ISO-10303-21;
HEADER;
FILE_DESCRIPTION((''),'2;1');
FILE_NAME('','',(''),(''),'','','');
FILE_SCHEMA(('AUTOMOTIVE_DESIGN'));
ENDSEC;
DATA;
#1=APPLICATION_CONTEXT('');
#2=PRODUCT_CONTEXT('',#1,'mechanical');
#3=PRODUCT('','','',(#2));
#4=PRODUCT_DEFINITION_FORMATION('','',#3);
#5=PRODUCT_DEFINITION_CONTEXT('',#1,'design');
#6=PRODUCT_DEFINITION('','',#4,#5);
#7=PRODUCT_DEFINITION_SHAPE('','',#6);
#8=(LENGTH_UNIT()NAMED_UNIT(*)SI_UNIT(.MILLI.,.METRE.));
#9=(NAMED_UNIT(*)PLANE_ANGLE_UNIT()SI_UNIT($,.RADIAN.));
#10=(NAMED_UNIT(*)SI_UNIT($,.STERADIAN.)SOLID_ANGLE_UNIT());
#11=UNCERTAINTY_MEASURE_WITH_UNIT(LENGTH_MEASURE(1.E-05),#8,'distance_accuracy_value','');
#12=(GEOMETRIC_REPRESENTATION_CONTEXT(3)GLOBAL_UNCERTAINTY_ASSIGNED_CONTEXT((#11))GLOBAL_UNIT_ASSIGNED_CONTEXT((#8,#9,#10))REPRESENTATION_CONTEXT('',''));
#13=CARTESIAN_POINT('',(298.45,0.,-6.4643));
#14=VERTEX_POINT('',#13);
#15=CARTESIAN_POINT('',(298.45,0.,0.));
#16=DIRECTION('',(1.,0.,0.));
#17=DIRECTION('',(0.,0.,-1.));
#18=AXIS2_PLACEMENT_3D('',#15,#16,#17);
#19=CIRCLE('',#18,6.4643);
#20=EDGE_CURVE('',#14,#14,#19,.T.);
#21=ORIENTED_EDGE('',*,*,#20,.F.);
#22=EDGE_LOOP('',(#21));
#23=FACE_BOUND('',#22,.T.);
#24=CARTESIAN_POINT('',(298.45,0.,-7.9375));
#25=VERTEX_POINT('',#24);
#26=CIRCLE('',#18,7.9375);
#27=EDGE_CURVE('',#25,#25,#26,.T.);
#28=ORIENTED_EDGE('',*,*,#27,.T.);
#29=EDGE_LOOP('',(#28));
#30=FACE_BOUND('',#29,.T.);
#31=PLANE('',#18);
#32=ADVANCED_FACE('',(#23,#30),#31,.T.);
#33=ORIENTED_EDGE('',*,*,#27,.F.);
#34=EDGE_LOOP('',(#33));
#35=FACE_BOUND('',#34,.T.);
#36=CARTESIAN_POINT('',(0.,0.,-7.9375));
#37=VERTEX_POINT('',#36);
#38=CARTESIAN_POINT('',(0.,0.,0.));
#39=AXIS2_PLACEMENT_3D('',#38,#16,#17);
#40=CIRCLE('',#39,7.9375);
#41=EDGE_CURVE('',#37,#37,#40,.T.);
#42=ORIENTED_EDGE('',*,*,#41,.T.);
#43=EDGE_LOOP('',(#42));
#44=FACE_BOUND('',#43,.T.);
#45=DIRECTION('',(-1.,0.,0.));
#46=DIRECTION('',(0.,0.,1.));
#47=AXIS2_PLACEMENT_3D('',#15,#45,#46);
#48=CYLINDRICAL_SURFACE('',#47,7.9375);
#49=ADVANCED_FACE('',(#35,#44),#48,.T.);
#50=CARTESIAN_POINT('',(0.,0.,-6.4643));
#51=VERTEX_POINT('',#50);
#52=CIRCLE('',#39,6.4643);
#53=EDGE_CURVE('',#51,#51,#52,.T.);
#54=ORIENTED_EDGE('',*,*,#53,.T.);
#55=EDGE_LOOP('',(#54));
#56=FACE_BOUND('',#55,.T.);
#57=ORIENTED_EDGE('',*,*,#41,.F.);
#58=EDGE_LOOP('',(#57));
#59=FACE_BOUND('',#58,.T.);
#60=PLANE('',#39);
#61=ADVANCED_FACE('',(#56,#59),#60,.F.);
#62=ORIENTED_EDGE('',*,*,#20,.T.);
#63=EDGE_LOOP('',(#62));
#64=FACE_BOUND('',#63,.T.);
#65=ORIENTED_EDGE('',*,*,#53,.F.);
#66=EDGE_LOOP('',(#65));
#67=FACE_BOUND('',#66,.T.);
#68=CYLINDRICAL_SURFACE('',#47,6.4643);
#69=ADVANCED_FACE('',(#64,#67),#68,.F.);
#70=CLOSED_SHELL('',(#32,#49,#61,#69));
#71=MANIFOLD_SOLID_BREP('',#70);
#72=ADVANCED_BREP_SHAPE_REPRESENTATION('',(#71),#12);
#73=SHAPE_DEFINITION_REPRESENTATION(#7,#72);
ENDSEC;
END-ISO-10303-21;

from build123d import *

# Parameters (mm, degrees)
SKETCH11_R               = 7.9375
SKETCH11_R_2             = 6.4643
STRUCTURAL_MEMBER1_DEPTH = 298.45


with BuildPart() as part:
    # Sketch11 → Structural Member1 (new body)
    with BuildSketch(Plane.YZ):
        Circle(SKETCH11_R)
        Circle(SKETCH11_R_2, mode=Mode.SUBTRACT)
    extrude(amount=STRUCTURAL_MEMBER1_DEPTH)


solid = part.part
